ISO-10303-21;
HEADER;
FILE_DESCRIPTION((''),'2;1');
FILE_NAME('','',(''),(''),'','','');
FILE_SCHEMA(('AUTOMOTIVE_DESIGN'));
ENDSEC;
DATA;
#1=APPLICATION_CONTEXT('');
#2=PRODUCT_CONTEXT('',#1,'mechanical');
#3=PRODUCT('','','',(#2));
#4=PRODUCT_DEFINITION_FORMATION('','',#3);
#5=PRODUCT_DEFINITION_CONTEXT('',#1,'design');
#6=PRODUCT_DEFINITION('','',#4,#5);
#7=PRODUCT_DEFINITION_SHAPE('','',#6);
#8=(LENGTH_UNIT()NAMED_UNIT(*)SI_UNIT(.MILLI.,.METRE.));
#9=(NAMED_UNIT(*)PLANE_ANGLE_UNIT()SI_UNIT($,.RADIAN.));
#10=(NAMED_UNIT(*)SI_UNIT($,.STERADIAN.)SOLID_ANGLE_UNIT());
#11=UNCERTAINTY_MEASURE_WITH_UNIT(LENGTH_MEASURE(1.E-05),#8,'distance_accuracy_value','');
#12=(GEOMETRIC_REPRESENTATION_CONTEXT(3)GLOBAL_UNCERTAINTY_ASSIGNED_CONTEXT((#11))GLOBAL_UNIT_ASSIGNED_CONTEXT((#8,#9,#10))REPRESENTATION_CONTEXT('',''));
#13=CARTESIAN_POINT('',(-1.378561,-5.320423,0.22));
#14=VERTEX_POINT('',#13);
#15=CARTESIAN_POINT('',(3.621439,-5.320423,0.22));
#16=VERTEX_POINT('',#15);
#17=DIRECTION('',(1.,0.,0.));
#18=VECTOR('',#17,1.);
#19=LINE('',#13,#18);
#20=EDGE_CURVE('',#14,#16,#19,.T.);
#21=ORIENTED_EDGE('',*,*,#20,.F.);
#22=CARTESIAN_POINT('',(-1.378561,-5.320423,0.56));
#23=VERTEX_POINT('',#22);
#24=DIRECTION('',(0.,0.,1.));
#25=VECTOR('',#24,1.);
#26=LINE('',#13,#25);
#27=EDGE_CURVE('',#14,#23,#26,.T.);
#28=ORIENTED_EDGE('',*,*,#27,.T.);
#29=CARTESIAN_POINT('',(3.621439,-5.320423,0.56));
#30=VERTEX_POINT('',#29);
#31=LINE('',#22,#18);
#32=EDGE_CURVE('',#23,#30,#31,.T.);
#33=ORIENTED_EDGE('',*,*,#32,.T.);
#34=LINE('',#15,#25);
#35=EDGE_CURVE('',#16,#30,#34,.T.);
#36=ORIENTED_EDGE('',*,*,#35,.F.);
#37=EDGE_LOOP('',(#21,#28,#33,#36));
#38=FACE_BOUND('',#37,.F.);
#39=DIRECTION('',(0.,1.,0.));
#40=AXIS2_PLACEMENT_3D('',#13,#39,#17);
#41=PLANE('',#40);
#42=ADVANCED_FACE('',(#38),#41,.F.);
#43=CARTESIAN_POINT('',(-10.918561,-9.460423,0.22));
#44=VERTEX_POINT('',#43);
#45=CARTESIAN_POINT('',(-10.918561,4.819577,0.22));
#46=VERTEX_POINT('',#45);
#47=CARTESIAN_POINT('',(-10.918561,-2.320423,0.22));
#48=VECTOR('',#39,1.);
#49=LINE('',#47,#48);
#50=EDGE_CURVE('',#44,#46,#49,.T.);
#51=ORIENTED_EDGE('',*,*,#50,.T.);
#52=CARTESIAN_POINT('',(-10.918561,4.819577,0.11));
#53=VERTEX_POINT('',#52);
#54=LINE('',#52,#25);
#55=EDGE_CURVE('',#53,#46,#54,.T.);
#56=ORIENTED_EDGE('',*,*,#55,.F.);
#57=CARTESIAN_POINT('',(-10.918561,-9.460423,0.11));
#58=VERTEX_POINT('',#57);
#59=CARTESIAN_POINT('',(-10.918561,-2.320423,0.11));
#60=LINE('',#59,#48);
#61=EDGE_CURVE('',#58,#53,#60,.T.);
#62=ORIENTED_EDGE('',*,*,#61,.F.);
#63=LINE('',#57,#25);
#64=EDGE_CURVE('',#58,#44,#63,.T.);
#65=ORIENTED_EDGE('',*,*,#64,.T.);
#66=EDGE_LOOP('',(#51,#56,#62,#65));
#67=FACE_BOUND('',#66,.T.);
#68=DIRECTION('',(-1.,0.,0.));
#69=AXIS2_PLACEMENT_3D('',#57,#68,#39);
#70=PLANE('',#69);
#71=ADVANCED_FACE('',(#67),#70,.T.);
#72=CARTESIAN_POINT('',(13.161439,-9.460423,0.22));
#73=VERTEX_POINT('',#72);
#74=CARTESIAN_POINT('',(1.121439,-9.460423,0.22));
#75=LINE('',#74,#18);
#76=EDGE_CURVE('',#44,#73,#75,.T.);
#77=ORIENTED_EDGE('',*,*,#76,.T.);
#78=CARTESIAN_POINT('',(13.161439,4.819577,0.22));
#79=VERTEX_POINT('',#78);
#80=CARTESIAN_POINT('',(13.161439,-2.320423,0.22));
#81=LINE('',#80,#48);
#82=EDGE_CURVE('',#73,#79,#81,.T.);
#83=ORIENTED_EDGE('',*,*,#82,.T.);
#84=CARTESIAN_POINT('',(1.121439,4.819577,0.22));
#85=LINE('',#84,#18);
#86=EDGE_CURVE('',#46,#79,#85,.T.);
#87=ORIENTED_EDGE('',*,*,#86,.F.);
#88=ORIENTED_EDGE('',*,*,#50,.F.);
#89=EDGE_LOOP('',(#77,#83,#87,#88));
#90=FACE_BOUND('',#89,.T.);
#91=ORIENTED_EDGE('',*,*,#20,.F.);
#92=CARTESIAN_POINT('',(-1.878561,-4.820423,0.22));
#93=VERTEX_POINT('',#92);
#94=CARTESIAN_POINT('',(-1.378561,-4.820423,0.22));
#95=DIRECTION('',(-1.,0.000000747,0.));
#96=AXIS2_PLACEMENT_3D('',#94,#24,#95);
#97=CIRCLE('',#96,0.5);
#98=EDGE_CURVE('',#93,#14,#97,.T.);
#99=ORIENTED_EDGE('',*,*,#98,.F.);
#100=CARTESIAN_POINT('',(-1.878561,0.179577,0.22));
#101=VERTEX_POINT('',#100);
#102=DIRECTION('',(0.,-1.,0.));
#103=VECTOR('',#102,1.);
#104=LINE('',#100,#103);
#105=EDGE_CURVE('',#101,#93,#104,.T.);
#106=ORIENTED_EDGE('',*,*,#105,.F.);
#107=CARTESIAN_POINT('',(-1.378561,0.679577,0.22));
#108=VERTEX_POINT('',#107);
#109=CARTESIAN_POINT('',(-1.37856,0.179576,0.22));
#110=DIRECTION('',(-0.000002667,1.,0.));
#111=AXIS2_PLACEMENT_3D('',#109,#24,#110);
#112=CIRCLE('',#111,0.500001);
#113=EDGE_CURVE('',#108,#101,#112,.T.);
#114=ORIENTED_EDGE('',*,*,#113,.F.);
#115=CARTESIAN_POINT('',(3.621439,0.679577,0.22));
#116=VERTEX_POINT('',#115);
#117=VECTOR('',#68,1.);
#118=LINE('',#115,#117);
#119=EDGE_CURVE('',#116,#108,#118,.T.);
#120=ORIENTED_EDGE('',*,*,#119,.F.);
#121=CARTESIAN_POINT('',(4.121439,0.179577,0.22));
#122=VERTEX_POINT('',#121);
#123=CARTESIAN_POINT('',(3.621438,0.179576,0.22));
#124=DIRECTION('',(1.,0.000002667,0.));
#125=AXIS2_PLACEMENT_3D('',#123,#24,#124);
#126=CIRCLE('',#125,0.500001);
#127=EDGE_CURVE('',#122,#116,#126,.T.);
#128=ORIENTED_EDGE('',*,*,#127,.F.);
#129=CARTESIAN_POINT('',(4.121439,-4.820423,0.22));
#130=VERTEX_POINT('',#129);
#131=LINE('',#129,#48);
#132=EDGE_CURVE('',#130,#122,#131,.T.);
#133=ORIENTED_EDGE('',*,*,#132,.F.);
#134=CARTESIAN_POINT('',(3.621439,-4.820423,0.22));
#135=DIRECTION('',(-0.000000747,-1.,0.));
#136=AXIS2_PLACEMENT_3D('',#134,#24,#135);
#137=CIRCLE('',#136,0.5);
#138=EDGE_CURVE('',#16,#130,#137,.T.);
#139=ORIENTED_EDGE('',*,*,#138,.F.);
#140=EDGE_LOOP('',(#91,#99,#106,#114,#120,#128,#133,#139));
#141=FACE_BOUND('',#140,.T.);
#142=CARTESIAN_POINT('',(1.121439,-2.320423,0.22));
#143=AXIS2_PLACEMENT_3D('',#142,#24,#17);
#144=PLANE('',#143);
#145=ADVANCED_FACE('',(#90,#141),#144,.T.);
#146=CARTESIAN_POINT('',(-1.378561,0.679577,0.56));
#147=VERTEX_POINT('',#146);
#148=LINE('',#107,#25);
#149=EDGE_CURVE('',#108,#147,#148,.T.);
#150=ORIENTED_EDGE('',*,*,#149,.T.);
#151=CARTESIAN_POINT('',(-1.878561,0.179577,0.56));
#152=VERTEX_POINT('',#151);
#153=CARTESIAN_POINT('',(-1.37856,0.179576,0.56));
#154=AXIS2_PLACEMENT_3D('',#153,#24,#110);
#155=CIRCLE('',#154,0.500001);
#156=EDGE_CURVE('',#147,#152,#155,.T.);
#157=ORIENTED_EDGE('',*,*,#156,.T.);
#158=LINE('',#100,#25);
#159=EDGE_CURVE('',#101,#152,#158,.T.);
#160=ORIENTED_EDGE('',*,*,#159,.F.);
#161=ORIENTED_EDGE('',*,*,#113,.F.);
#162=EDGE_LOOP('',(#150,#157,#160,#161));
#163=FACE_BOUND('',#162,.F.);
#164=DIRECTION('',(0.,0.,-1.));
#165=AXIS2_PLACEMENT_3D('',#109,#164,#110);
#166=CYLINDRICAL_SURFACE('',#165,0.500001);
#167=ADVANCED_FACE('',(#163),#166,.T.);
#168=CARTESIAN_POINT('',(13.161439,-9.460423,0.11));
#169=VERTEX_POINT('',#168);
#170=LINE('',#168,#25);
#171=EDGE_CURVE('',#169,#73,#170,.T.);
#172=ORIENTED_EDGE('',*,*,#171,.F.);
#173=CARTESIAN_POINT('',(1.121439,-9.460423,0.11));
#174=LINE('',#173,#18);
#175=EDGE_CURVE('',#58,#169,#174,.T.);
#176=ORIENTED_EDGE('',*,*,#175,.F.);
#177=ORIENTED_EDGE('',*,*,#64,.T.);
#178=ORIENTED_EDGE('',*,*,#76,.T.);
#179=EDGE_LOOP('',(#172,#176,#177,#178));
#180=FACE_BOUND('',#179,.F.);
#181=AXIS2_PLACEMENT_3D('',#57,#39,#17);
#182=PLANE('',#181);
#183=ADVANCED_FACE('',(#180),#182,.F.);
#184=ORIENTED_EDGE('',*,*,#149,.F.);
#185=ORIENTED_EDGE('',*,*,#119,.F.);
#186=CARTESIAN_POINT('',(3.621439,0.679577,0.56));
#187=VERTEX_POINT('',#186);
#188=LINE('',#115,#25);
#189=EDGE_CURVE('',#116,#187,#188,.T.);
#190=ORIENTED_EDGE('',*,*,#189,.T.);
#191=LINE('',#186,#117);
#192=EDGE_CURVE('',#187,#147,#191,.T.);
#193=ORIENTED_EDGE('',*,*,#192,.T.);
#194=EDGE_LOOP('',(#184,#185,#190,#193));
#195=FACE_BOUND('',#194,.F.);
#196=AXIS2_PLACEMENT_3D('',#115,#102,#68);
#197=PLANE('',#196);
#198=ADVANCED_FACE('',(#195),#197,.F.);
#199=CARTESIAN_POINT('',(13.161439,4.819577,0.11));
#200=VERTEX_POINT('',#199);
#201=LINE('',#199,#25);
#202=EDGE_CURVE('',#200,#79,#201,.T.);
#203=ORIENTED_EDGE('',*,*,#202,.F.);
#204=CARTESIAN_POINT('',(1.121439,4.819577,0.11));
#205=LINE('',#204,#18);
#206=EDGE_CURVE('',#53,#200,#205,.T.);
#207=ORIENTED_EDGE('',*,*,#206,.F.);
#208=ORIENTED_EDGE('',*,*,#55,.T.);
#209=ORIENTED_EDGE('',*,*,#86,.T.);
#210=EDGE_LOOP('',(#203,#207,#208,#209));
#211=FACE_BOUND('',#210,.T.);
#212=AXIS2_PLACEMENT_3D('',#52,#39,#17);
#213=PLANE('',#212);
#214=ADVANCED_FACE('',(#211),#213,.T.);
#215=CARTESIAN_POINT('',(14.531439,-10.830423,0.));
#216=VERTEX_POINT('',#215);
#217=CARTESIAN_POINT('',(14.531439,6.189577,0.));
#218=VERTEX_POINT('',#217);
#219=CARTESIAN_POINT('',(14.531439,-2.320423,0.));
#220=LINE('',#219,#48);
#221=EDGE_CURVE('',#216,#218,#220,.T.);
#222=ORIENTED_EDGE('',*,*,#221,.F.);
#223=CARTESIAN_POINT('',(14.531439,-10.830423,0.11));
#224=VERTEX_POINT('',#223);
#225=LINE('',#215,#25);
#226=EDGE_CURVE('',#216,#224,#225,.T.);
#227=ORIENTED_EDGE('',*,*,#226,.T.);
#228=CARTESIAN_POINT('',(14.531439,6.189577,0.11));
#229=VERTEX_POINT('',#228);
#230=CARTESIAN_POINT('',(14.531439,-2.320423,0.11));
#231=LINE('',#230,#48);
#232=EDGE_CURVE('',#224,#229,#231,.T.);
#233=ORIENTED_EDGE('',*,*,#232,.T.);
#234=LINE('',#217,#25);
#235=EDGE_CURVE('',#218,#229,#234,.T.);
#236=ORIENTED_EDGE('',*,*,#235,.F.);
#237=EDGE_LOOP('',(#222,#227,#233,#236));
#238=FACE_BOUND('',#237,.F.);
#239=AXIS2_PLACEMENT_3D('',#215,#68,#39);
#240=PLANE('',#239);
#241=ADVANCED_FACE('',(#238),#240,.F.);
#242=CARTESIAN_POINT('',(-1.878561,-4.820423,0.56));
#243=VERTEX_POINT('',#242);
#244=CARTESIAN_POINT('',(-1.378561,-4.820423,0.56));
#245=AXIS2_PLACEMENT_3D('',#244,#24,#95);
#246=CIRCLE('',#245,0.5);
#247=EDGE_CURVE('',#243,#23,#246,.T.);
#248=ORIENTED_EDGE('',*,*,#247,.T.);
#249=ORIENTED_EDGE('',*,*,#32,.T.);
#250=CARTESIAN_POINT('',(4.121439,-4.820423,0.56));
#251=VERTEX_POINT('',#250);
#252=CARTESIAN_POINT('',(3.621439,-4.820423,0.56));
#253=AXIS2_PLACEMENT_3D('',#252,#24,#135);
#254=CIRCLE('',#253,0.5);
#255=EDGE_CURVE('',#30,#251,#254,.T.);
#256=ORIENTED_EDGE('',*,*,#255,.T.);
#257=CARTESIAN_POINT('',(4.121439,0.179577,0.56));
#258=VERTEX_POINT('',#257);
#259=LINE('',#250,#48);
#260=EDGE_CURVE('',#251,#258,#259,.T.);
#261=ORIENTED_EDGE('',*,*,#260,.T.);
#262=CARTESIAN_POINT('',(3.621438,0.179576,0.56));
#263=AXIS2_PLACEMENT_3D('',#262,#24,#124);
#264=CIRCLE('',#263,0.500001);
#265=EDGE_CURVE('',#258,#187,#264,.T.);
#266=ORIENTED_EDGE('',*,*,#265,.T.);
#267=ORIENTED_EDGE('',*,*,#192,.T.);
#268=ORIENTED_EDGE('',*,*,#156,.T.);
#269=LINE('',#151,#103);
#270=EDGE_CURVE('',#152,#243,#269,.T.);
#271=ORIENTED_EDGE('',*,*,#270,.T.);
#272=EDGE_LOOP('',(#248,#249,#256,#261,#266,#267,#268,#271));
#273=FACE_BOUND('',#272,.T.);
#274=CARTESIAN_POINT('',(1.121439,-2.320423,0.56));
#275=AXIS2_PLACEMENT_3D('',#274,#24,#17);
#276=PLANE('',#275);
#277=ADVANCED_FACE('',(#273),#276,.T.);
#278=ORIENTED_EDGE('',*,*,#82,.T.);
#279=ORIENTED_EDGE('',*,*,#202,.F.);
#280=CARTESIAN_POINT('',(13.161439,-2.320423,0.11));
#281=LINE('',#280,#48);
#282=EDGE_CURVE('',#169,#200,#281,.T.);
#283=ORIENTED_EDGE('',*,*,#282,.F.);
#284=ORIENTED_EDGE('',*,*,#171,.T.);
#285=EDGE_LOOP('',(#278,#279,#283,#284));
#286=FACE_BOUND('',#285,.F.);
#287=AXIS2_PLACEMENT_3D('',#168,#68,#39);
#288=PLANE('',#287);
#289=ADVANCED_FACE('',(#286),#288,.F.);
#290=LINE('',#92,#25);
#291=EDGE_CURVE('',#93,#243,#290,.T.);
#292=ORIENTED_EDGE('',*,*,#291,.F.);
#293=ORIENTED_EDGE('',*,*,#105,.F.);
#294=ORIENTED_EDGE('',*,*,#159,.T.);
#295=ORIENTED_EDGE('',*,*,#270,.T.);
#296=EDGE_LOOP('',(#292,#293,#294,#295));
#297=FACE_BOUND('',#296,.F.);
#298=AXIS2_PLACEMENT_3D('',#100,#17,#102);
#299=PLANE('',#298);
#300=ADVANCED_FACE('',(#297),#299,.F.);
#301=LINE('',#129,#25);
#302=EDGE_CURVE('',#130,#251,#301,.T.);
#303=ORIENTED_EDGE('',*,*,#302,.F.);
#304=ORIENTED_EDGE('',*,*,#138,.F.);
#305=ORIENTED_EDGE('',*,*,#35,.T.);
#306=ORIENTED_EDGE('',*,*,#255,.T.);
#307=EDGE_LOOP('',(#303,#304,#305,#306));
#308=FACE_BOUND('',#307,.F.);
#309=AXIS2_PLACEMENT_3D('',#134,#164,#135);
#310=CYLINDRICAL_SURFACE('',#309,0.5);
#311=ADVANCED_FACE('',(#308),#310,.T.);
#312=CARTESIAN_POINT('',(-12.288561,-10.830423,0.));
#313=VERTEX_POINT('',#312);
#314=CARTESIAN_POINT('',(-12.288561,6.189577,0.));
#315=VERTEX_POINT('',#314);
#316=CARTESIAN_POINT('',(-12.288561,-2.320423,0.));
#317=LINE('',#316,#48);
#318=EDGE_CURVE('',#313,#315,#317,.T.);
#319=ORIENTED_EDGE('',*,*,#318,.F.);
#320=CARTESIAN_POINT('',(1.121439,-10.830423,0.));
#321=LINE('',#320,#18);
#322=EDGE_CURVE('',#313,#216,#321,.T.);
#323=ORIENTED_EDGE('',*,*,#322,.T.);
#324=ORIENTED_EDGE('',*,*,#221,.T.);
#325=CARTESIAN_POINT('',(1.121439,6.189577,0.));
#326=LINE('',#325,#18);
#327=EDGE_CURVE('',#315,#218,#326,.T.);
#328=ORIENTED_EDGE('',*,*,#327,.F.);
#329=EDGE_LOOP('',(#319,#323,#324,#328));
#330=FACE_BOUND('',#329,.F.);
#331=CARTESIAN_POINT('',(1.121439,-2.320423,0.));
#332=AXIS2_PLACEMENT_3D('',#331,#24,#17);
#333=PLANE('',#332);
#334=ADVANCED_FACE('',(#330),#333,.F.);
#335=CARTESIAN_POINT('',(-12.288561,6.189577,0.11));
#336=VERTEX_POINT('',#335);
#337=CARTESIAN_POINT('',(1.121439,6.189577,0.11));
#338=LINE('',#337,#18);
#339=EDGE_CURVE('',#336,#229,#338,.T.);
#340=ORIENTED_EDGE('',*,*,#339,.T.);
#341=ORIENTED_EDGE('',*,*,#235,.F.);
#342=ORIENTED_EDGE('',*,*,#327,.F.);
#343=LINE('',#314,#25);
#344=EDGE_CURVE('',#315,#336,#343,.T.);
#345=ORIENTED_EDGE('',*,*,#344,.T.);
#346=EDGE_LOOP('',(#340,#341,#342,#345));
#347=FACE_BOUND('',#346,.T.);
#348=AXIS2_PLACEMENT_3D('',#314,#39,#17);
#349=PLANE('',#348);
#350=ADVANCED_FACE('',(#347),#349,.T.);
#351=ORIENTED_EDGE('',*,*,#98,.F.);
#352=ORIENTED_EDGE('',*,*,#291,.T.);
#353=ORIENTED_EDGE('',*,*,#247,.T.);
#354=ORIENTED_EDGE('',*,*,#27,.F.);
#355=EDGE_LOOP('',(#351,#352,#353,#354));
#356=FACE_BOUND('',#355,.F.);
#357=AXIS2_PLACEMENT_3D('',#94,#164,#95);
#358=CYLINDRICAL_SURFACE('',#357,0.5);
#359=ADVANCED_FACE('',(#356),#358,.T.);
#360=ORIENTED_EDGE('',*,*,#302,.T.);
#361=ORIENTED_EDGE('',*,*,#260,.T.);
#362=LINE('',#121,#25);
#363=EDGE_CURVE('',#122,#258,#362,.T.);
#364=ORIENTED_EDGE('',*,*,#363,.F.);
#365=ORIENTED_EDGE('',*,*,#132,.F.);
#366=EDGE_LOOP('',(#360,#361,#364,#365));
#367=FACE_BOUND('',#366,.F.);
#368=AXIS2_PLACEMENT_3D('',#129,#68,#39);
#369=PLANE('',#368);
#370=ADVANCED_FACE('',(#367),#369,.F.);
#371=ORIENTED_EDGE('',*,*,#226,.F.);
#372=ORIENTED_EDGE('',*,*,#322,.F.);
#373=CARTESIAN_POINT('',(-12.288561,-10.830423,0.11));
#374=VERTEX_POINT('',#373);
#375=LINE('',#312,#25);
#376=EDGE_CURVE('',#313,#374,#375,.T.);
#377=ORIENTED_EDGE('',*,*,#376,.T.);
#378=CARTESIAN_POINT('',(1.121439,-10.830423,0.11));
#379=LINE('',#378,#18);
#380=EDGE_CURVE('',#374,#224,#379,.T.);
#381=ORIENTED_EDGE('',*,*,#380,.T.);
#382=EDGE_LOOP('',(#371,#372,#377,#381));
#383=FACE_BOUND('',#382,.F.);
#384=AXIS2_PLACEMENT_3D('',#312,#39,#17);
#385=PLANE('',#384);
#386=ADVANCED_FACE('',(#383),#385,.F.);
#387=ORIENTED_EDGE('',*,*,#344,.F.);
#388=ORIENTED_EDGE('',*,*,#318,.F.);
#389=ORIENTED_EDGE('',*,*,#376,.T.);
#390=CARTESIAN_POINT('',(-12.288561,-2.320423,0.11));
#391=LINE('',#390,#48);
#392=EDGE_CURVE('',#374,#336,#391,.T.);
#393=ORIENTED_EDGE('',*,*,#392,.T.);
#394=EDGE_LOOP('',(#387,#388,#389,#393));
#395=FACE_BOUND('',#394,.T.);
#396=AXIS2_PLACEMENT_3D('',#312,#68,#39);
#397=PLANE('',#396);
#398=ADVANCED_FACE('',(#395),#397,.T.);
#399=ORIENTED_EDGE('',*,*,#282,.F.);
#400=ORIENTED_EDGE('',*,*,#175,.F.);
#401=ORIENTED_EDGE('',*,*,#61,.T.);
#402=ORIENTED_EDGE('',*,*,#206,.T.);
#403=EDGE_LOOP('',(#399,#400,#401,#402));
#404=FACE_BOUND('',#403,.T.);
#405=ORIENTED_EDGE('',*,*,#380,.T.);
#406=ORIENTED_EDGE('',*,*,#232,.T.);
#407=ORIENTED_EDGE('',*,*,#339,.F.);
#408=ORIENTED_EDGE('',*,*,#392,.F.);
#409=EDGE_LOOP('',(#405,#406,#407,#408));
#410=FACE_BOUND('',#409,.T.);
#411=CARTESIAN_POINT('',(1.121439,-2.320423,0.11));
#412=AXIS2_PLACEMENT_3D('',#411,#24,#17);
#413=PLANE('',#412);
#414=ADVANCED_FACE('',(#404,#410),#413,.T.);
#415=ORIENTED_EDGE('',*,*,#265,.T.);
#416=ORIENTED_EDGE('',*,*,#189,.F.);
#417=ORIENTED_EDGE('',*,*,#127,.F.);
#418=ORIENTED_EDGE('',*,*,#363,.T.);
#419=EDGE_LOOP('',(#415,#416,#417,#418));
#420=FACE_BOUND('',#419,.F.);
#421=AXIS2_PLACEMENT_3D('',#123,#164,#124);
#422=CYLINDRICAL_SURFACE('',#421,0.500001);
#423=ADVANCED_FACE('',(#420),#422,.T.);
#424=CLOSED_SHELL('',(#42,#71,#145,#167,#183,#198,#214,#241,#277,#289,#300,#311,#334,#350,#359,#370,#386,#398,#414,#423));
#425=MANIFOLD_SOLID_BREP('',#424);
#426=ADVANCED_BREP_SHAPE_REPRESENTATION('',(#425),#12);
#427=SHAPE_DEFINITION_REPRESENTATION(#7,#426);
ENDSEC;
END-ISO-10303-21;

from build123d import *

# Parameters (mm, degrees)
F0_W     = 26.82
F0_H     = 17.02
F1_DEPTH = 0.11
F2_W     = 24.08
F2_H     = 14.28
F3_DEPTH = 0.11
F5_DEPTH = 0.34


with BuildPart() as f1:
    # F0 (on Top) → F1 (new body)
    with BuildSketch(Plane.XY):
        with Locations((1.121439, -2.320423)):
            Rectangle(F0_W, F0_H)
    extrude(amount=F1_DEPTH)

    # F2 (on face) → F3 (join)
    with BuildSketch(Plane.XY.offset(0.11)):
        with Locations((1.121439, -2.320423)):
            Rectangle(F2_W, F2_H)
    extrude(amount=F3_DEPTH)

    # F4 (on face) → F5 (join)
    with BuildSketch(Plane.XY.offset(0.22)):
        with BuildLine():
            Line((3.621439, 0.679577), (-1.378561, 0.679577))
            ThreePointArc((-1.378561, 0.679577), (-1.732114, 0.53313), (-1.878561, 0.179577))
            Line((-1.878561, 0.179577), (-1.878561, -4.820423))
            ThreePointArc((-1.878561, -4.820423), (-1.732114, -5.173977), (-1.378561, -5.320423))
            Line((-1.378561, -5.320423), (3.621439, -5.320423))
            ThreePointArc((3.621439, -5.320423), (3.974992, -5.173977), (4.121439, -4.820423))
            Line((4.121439, -4.820423), (4.121439, 0.179577))
            ThreePointArc((4.121439, 0.179577), (3.974992, 0.53313), (3.621439, 0.679577))
        make_face()
    extrude(amount=F5_DEPTH)


solid = f1.part
